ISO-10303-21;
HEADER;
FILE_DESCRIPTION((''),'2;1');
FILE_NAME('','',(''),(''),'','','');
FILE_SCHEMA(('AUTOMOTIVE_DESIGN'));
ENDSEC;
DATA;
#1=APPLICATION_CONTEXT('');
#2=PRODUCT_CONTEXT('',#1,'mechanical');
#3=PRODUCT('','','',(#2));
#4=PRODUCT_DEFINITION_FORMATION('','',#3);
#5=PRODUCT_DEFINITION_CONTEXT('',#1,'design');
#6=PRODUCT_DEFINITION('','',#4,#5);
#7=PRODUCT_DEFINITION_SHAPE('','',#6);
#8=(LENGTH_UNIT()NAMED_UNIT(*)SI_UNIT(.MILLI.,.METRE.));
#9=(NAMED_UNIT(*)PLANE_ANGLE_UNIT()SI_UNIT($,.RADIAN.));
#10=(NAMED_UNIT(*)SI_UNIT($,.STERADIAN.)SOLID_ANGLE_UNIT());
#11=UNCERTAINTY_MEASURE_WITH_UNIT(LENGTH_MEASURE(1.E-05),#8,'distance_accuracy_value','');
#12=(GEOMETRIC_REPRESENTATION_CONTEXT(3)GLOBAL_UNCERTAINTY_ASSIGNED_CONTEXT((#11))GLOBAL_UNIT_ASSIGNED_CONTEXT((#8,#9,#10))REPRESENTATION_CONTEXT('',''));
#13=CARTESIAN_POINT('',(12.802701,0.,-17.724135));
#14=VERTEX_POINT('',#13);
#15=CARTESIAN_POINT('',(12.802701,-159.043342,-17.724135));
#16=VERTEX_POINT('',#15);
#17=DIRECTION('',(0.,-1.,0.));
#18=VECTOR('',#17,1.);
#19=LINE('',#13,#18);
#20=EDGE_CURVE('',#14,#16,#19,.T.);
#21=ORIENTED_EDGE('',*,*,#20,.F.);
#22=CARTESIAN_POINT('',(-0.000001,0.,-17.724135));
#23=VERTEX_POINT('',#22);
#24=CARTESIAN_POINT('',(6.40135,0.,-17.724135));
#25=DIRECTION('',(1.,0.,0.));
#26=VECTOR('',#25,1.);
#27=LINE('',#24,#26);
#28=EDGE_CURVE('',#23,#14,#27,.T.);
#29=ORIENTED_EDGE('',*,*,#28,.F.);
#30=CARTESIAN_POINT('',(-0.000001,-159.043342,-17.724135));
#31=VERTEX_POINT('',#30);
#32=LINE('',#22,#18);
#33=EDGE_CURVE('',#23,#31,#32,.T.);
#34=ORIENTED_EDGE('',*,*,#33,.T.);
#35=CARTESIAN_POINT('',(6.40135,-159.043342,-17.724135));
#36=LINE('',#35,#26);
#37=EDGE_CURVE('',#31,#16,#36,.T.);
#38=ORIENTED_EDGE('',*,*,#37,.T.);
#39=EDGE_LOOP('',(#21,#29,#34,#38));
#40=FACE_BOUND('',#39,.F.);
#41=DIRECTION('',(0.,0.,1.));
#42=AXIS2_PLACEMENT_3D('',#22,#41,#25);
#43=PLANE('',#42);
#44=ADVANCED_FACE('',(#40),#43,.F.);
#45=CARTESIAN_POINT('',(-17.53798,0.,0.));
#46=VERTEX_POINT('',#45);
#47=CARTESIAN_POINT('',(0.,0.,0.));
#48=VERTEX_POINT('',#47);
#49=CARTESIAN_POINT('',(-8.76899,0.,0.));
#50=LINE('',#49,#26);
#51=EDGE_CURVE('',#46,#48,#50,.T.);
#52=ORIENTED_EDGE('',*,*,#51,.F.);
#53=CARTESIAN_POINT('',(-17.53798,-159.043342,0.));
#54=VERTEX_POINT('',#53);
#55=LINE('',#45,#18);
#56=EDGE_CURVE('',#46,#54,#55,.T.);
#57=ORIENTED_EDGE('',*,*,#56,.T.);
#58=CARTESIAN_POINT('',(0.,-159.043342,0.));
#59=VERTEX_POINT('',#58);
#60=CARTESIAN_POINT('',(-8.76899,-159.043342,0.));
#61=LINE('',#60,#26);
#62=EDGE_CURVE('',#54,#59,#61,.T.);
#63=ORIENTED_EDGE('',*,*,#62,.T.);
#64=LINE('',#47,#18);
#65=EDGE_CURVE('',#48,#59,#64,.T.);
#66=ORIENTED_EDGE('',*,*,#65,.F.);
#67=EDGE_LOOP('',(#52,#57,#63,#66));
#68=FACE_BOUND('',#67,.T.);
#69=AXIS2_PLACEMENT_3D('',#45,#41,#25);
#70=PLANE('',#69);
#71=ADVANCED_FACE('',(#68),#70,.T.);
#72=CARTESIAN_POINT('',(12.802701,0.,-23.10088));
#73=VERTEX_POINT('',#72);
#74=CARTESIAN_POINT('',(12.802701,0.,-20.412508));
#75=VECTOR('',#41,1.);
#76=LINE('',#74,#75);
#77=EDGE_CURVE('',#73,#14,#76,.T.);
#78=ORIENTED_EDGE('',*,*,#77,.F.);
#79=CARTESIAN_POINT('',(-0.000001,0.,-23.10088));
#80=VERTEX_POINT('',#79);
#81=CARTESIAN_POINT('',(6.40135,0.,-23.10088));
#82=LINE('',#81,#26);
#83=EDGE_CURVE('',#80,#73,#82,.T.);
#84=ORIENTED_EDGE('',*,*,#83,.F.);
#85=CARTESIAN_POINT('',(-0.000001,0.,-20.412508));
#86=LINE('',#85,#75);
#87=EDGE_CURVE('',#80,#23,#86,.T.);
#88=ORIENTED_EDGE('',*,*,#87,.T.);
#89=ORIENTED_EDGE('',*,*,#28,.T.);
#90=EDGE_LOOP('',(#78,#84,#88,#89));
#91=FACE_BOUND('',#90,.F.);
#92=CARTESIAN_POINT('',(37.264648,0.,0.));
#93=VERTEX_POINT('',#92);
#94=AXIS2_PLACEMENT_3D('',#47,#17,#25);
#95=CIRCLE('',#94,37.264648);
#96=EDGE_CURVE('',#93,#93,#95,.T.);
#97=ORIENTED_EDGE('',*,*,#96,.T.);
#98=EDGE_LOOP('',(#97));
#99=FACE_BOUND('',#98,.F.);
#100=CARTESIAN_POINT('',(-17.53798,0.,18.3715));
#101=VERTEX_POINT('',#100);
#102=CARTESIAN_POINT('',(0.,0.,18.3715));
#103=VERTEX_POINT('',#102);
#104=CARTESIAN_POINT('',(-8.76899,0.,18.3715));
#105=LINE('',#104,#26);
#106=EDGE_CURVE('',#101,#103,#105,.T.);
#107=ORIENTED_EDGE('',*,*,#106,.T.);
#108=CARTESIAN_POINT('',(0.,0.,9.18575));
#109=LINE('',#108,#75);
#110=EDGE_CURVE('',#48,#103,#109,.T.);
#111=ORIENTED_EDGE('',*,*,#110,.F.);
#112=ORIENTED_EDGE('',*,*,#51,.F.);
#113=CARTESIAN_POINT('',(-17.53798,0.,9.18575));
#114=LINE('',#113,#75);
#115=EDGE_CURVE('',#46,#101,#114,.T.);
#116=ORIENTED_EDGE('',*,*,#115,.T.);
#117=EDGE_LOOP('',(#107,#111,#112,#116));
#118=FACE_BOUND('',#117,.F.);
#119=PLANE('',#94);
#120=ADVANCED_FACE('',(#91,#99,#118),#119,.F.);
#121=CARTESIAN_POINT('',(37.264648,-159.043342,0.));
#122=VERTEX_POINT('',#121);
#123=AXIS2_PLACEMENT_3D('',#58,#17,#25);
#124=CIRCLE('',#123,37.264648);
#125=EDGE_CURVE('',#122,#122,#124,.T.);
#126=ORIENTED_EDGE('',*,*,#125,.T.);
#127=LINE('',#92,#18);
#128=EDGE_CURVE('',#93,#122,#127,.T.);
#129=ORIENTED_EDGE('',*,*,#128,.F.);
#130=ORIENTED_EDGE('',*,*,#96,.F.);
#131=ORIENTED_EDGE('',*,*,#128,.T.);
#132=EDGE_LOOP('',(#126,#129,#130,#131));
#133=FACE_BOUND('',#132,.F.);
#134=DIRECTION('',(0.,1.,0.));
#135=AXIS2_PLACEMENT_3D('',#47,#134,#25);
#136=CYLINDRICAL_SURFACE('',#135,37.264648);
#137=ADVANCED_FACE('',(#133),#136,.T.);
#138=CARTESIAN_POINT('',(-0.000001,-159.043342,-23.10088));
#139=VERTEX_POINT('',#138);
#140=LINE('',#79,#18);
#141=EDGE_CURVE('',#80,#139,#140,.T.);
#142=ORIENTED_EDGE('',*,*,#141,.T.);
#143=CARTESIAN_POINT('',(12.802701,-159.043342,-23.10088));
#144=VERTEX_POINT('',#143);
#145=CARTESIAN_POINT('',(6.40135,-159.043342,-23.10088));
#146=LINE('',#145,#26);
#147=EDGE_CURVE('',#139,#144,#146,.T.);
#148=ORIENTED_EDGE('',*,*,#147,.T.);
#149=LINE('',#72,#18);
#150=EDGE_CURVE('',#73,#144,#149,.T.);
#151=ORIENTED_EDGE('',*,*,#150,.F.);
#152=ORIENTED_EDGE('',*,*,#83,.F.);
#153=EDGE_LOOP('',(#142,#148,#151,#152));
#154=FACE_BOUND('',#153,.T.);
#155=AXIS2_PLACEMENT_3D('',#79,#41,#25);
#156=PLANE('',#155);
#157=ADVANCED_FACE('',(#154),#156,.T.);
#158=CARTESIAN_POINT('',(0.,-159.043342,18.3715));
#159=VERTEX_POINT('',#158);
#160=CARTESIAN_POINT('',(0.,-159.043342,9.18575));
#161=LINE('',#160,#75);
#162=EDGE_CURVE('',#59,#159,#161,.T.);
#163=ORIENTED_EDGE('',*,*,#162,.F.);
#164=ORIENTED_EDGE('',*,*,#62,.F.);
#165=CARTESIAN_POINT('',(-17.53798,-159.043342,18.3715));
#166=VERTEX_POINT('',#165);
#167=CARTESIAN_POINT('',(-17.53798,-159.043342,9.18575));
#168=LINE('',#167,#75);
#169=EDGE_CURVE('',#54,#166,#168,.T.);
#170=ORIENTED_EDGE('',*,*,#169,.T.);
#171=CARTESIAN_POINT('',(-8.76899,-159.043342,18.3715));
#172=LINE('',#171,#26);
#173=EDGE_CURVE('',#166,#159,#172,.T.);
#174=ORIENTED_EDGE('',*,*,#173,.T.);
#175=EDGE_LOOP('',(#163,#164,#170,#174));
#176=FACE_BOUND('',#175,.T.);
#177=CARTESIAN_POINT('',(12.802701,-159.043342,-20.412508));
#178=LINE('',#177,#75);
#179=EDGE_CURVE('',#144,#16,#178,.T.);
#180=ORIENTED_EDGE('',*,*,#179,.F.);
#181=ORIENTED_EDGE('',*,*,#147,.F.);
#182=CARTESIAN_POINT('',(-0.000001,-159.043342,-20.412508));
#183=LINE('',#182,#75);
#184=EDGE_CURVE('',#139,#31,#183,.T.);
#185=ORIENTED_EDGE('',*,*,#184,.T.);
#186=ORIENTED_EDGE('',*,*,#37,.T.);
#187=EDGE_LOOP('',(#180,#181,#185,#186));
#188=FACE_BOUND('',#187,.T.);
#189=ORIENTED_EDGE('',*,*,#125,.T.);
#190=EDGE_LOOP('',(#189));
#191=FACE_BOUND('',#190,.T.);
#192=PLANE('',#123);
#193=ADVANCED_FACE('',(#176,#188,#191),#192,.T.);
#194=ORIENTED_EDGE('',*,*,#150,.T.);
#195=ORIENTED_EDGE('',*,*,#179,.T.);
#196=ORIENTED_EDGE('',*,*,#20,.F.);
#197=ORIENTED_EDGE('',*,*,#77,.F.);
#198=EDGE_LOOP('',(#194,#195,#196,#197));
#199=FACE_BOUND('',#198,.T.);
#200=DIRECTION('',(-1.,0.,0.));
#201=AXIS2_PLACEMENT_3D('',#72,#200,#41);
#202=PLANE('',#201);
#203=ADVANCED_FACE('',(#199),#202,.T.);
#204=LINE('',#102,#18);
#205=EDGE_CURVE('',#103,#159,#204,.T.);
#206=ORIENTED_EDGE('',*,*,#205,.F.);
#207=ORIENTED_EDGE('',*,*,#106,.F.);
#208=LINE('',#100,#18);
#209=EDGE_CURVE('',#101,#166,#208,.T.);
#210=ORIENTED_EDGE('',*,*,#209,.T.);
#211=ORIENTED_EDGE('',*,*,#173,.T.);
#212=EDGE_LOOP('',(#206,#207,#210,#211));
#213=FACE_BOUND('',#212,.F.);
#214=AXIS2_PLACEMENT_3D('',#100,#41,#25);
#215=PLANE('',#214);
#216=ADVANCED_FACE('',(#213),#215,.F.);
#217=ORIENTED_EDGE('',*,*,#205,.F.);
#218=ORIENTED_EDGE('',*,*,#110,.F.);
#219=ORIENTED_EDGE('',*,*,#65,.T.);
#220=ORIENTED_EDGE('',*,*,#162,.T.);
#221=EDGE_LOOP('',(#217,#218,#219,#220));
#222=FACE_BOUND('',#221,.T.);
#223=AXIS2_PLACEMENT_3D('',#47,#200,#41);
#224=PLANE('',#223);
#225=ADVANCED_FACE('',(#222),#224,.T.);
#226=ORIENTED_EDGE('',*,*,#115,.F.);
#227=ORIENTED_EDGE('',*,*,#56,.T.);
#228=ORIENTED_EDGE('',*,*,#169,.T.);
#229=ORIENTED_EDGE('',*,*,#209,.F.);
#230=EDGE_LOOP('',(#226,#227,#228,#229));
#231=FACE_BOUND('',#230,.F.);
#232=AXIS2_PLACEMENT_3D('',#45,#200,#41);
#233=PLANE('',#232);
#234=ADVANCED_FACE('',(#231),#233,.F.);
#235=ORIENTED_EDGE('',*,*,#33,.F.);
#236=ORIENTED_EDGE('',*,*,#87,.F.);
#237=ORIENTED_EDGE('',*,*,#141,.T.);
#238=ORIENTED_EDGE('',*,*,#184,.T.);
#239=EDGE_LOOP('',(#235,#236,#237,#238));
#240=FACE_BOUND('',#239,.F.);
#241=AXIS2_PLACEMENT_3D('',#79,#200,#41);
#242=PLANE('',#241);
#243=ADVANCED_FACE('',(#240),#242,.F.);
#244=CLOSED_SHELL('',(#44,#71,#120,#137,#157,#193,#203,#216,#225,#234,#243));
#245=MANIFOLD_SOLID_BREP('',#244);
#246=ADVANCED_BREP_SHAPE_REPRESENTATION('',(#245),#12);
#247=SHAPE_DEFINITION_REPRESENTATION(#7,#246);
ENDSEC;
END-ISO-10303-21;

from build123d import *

# Parameters (mm, degrees)
F0_R     = 37.264648
F0_W     = 12.802701
F0_H     = 5.376745
F0_W_2   = 17.537981
F0_H_2   = 18.3715
F1_DEPTH = 159.043342


with BuildPart() as f1:
    # F0 (on Front) → F1 (new body)
    with BuildSketch(Plane.XZ):
        Circle(F0_R)
        with Locations((6.40135, -20.412508)):
            Rectangle(F0_W, F0_H, mode=Mode.SUBTRACT)
        with Locations((-8.76899, 9.18575)):
            Rectangle(F0_W_2, F0_H_2, mode=Mode.SUBTRACT)
    extrude(amount=F1_DEPTH)


solid = f1.part
